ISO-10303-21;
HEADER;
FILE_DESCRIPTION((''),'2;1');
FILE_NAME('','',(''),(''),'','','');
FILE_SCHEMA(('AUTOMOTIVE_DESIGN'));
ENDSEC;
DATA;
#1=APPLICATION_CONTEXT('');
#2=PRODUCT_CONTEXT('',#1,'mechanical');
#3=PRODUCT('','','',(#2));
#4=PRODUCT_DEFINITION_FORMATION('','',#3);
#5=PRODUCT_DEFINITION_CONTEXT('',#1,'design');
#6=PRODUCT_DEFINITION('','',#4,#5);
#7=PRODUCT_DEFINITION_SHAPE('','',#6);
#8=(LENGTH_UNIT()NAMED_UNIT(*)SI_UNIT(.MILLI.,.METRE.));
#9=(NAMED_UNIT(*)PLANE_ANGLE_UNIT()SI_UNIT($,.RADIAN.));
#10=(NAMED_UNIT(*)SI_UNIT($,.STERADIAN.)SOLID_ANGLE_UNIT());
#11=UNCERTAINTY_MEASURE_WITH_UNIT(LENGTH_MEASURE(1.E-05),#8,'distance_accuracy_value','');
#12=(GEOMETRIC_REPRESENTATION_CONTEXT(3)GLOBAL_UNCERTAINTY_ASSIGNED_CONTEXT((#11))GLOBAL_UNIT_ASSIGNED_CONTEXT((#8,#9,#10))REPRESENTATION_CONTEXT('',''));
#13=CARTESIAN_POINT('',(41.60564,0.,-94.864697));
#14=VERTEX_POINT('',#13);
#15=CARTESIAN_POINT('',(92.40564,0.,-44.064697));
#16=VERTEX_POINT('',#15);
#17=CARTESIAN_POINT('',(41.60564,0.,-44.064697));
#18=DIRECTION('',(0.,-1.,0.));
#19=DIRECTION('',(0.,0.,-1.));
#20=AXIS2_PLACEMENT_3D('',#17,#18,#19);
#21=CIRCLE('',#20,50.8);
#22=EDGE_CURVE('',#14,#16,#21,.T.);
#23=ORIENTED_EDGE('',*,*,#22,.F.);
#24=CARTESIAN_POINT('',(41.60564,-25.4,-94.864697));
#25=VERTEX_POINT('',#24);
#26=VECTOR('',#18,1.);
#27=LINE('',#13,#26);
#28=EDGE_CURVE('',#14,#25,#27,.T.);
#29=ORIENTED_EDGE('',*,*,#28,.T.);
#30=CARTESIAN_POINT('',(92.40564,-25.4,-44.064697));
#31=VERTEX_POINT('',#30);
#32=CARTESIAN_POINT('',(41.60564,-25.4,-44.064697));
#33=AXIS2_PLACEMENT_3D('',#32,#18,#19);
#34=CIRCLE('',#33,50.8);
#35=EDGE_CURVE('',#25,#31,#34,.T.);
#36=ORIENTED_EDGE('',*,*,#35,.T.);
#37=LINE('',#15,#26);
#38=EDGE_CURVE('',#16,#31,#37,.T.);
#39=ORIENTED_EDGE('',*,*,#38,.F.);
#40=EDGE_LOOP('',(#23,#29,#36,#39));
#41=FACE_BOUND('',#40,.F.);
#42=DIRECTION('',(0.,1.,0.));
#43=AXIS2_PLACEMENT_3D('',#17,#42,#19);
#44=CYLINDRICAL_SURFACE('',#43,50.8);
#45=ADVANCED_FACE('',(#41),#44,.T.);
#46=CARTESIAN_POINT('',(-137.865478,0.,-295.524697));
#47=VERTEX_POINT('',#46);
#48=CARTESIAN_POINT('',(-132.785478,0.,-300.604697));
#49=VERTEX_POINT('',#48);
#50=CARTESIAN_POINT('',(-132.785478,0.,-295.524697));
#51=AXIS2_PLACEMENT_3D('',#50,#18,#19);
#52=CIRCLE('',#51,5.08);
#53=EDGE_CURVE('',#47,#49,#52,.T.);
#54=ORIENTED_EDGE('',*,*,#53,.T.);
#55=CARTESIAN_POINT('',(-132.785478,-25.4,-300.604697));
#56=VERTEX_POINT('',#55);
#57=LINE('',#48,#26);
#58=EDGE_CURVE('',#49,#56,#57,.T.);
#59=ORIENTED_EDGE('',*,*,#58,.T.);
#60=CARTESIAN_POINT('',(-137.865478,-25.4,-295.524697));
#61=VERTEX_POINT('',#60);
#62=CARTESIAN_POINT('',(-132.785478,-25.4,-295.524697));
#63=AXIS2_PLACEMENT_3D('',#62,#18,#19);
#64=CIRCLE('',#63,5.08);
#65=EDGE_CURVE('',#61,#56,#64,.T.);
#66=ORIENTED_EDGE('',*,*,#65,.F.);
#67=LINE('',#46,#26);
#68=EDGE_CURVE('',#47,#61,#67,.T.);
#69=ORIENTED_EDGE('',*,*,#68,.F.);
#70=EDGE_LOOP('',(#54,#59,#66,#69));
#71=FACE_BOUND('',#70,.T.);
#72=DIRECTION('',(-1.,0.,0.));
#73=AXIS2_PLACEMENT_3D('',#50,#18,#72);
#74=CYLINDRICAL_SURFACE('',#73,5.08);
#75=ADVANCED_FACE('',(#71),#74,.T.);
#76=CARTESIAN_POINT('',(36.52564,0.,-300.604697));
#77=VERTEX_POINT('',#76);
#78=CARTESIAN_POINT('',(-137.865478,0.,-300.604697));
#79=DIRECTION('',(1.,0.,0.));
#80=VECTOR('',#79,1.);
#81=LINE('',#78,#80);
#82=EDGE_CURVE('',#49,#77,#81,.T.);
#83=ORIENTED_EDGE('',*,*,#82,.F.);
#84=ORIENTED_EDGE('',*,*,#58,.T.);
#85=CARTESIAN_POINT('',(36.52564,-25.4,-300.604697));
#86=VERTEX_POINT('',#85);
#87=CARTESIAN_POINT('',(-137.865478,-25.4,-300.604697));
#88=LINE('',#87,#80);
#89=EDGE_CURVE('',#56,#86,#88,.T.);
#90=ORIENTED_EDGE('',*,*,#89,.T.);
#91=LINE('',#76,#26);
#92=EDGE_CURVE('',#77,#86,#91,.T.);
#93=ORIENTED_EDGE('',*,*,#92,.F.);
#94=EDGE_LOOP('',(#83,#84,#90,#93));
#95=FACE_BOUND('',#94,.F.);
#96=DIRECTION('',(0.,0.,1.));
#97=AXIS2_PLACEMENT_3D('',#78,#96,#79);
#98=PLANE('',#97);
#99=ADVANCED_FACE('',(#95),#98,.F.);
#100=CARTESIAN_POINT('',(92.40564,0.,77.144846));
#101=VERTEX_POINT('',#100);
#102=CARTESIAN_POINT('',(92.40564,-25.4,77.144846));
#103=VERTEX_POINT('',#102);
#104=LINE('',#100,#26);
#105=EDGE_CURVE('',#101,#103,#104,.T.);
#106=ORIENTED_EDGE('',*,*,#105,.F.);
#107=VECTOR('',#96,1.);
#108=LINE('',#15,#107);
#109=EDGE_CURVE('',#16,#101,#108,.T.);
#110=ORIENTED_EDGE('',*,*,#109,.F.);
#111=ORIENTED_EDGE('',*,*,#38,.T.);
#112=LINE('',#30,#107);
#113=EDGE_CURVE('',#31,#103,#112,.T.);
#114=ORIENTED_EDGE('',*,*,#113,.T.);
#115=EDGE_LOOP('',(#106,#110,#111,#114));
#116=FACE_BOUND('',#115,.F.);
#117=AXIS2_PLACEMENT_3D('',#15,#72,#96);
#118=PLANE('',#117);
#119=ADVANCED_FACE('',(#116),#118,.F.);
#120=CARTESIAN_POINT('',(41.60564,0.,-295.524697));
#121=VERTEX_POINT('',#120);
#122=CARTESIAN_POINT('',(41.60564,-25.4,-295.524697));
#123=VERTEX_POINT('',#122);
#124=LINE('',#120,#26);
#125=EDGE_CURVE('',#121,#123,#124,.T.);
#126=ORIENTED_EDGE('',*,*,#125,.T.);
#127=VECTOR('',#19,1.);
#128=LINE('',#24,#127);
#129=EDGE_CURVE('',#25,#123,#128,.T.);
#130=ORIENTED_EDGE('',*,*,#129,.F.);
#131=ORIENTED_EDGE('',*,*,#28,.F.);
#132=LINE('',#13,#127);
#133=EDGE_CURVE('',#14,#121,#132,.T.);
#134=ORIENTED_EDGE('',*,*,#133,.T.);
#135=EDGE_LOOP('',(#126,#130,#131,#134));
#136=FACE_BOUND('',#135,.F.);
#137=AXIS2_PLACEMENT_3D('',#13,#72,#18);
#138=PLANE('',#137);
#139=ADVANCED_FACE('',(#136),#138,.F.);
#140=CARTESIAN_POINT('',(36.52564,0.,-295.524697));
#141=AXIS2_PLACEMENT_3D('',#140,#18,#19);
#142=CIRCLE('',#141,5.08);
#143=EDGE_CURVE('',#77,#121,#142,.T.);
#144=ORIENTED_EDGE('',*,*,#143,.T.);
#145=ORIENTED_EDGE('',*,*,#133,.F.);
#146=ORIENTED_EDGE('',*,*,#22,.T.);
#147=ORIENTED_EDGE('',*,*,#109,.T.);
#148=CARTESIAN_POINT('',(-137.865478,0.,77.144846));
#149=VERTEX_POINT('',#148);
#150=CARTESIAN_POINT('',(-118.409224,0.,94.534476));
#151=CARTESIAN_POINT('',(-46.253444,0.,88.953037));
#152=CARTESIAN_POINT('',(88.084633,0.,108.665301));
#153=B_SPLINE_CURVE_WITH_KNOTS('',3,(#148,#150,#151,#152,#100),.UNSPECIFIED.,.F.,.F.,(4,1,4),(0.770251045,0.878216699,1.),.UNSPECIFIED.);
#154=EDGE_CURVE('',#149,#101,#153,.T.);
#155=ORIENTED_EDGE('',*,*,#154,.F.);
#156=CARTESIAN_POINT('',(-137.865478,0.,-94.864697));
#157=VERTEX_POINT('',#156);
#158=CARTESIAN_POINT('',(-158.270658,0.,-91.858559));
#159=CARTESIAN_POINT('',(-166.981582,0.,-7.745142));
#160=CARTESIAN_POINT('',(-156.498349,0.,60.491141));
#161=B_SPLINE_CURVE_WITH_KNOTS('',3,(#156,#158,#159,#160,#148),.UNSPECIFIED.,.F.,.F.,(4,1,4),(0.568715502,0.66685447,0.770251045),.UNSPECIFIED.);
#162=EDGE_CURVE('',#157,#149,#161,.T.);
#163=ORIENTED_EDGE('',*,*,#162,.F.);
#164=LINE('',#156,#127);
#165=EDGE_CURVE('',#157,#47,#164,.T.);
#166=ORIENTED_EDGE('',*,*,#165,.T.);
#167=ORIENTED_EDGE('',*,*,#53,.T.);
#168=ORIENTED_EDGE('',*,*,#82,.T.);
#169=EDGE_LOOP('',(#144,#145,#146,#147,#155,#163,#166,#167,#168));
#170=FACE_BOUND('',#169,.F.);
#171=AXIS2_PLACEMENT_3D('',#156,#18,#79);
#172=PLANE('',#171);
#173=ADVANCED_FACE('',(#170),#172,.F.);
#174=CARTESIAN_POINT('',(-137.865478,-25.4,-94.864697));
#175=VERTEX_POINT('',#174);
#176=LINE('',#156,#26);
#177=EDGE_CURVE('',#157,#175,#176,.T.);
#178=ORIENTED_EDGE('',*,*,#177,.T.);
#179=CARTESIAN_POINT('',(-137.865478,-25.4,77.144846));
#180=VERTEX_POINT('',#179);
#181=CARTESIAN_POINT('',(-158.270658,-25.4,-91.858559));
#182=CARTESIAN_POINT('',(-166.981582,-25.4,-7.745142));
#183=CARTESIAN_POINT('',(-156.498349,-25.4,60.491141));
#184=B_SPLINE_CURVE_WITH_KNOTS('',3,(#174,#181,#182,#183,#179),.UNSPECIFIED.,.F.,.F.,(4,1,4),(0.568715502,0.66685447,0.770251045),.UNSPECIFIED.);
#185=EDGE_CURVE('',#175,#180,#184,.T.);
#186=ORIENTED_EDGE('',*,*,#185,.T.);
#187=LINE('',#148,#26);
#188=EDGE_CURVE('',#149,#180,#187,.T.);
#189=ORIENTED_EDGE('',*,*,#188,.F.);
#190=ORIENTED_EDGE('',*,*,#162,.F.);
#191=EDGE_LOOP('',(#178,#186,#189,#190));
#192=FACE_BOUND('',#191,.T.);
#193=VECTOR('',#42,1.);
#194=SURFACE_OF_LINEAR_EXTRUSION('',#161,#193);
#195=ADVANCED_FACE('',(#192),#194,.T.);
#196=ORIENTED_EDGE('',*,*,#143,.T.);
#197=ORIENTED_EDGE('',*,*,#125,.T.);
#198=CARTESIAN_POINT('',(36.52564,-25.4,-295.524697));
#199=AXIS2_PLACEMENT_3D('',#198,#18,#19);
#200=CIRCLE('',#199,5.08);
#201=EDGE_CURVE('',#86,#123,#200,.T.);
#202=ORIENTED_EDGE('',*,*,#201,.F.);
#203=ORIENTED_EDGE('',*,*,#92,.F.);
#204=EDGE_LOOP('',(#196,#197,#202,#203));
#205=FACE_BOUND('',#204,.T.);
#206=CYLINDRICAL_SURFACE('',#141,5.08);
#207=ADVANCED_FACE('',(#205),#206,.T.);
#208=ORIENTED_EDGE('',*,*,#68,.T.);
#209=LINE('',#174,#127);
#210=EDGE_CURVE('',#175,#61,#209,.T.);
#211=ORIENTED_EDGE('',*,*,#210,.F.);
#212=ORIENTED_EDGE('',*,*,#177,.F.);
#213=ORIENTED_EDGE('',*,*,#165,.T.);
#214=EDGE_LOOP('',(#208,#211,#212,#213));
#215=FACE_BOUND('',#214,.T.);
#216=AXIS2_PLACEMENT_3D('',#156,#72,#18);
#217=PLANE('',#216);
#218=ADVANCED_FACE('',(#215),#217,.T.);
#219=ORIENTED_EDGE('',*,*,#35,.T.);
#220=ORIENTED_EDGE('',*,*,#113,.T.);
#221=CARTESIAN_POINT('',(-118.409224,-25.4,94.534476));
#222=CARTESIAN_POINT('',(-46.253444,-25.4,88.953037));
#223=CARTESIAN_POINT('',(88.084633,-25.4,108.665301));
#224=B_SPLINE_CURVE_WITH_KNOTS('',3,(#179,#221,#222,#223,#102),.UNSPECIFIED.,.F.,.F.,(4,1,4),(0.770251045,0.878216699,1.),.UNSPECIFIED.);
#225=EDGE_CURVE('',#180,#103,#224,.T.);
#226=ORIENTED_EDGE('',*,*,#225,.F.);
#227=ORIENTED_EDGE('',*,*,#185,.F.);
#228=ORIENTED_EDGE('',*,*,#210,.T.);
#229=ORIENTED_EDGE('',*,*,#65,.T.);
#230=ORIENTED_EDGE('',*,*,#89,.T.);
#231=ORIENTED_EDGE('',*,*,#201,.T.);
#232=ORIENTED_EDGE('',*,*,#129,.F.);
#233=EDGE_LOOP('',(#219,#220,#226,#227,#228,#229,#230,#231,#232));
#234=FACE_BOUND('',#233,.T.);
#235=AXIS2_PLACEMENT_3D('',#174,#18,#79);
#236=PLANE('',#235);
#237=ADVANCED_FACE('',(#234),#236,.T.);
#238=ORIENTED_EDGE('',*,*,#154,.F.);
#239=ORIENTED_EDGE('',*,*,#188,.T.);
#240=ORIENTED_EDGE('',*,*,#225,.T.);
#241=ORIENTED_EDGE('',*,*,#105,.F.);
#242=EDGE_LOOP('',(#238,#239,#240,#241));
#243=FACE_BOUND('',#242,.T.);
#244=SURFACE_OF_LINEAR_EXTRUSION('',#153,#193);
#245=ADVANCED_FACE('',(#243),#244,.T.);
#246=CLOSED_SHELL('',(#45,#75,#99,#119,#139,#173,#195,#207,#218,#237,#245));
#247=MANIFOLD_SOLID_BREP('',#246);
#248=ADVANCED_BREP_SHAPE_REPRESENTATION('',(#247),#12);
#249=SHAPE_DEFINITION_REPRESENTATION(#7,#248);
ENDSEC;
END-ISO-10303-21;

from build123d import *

# Parameters (mm, degrees)
F1_DEPTH = 25.4
F2_DEPTH = 205.74
F3_R     = 5.08


with BuildPart() as f1:
    # F0 (on Front) → F1 (new body)
    with BuildSketch(Plane.XZ):
        with BuildLine():
            Line((-137.8654783239, -94.8646968782), (-137.8654783239, 77.1448463202))
            add(Edge.make_bspline(
                [(-137.8654783239, -94.8646968782), (-158.2706578332, -91.8585594164), (-166.981581766, -7.7451420633), (-156.4983493038, 60.4911413287), (-137.8654783239, 77.1448463202)],
                knots=[0.5687155023, 0.5687155023, 0.5687155023, 0.5687155023, 0.6668544702, 0.7702510453, 0.7702510453, 0.7702510453, 0.7702510453], degree=3))
        make_face()
        with BuildLine():
            add(Edge.make_bspline(
                [(-137.8654783239, 77.1448463202), (-118.4092236957, 94.5344759251), (-46.2534441965, 88.953036709), (88.0846333213, 108.6653008956), (92.4056395888, 77.1448463202)],
                knots=[0.7702510453, 0.7702510453, 0.7702510453, 0.7702510453, 0.8782166988, 1, 1, 1, 1], degree=3))
            Line((-137.8654783239, 77.1448463202), (92.4056395888, 77.1448463202))
        make_face()
        with BuildLine():
            Line((92.4056395888, 77.1448463202), (-137.8654783239, 77.1448463202))
            Line((-137.8654783239, 77.1448463202), (-137.8654783239, -94.8646968782))
            Line((-137.8654783239, -94.8646968782), (-132.5711192259, -94.8646968782))
            add(Edge.make_bspline(
                [(92.4056395888, 70.2900443589), (88.177524096, 33.099393391), (0.8242697931, -63.9641826889), (-13.3528421954, -30.7865615999), (4.0839060304, -11.2757699491), (44.4742754931, 31.0623950536), (-38.227277915, 53.3707628282), (-31.9830279818, -8.9984561018), (-106.4943951176, -91.5314031198), (-132.5711192259, -94.8646968782)],
                knots=[0.0081423274, 0.0081423274, 0.0081423274, 0.0081423274, 0.1316241862, 0.1715089751, 0.2275439291, 0.2959483496, 0.3705997718, 0.4486594468, 0.560717639, 0.560717639, 0.560717639, 0.560717639], degree=3))
            Line((92.4056395888, 70.2900443589), (92.4056395888, 77.1448463202))
        make_face()
        with BuildLine():
            Line((92.4056395888, -44.0646968782), (92.4056395888, 70.2900443589))
            add(Edge.make_bspline(
                [(92.4056395888, 70.2900443589), (88.177524096, 33.099393391), (0.8242697931, -63.9641826889), (-13.3528421954, -30.7865615999), (4.0839060304, -11.2757699491), (44.4742754931, 31.0623950536), (-38.227277915, 53.3707628282), (-31.9830279818, -8.9984561018), (-106.4943951176, -91.5314031198), (-132.5711192259, -94.8646968782)],
                knots=[0.0081423274, 0.0081423274, 0.0081423274, 0.0081423274, 0.1316241862, 0.1715089751, 0.2275439291, 0.2959483496, 0.3705997718, 0.4486594468, 0.560717639, 0.560717639, 0.560717639, 0.560717639], degree=3))
            Line((-132.5711192259, -94.8646968782), (41.6056395888, -94.8646968782))
            ThreePointArc((41.6056395888, -94.8646968782), (77.5266640731, -79.9857213625), (92.4056395888, -44.0646968782))
        make_face()
    extrude(amount=F1_DEPTH)

    # F2 (add): a face of the model
    f2_faces = [f1.faces().sort_by_distance(p)[0] for p in [
        (-48.1299193675, -12.7, -94.8646968782),
    ]]
    extrude(f2_faces, amount=F2_DEPTH)

    # F3
    f3_edges = [f1.edges().sort_by_distance(p)[0] for p in [
        (41.60564, -12.7, -300.604697),
        (-137.865478, -12.7, -300.604697),
    ]]
    fillet(f3_edges, radius=F3_R)


solid = f1.part
